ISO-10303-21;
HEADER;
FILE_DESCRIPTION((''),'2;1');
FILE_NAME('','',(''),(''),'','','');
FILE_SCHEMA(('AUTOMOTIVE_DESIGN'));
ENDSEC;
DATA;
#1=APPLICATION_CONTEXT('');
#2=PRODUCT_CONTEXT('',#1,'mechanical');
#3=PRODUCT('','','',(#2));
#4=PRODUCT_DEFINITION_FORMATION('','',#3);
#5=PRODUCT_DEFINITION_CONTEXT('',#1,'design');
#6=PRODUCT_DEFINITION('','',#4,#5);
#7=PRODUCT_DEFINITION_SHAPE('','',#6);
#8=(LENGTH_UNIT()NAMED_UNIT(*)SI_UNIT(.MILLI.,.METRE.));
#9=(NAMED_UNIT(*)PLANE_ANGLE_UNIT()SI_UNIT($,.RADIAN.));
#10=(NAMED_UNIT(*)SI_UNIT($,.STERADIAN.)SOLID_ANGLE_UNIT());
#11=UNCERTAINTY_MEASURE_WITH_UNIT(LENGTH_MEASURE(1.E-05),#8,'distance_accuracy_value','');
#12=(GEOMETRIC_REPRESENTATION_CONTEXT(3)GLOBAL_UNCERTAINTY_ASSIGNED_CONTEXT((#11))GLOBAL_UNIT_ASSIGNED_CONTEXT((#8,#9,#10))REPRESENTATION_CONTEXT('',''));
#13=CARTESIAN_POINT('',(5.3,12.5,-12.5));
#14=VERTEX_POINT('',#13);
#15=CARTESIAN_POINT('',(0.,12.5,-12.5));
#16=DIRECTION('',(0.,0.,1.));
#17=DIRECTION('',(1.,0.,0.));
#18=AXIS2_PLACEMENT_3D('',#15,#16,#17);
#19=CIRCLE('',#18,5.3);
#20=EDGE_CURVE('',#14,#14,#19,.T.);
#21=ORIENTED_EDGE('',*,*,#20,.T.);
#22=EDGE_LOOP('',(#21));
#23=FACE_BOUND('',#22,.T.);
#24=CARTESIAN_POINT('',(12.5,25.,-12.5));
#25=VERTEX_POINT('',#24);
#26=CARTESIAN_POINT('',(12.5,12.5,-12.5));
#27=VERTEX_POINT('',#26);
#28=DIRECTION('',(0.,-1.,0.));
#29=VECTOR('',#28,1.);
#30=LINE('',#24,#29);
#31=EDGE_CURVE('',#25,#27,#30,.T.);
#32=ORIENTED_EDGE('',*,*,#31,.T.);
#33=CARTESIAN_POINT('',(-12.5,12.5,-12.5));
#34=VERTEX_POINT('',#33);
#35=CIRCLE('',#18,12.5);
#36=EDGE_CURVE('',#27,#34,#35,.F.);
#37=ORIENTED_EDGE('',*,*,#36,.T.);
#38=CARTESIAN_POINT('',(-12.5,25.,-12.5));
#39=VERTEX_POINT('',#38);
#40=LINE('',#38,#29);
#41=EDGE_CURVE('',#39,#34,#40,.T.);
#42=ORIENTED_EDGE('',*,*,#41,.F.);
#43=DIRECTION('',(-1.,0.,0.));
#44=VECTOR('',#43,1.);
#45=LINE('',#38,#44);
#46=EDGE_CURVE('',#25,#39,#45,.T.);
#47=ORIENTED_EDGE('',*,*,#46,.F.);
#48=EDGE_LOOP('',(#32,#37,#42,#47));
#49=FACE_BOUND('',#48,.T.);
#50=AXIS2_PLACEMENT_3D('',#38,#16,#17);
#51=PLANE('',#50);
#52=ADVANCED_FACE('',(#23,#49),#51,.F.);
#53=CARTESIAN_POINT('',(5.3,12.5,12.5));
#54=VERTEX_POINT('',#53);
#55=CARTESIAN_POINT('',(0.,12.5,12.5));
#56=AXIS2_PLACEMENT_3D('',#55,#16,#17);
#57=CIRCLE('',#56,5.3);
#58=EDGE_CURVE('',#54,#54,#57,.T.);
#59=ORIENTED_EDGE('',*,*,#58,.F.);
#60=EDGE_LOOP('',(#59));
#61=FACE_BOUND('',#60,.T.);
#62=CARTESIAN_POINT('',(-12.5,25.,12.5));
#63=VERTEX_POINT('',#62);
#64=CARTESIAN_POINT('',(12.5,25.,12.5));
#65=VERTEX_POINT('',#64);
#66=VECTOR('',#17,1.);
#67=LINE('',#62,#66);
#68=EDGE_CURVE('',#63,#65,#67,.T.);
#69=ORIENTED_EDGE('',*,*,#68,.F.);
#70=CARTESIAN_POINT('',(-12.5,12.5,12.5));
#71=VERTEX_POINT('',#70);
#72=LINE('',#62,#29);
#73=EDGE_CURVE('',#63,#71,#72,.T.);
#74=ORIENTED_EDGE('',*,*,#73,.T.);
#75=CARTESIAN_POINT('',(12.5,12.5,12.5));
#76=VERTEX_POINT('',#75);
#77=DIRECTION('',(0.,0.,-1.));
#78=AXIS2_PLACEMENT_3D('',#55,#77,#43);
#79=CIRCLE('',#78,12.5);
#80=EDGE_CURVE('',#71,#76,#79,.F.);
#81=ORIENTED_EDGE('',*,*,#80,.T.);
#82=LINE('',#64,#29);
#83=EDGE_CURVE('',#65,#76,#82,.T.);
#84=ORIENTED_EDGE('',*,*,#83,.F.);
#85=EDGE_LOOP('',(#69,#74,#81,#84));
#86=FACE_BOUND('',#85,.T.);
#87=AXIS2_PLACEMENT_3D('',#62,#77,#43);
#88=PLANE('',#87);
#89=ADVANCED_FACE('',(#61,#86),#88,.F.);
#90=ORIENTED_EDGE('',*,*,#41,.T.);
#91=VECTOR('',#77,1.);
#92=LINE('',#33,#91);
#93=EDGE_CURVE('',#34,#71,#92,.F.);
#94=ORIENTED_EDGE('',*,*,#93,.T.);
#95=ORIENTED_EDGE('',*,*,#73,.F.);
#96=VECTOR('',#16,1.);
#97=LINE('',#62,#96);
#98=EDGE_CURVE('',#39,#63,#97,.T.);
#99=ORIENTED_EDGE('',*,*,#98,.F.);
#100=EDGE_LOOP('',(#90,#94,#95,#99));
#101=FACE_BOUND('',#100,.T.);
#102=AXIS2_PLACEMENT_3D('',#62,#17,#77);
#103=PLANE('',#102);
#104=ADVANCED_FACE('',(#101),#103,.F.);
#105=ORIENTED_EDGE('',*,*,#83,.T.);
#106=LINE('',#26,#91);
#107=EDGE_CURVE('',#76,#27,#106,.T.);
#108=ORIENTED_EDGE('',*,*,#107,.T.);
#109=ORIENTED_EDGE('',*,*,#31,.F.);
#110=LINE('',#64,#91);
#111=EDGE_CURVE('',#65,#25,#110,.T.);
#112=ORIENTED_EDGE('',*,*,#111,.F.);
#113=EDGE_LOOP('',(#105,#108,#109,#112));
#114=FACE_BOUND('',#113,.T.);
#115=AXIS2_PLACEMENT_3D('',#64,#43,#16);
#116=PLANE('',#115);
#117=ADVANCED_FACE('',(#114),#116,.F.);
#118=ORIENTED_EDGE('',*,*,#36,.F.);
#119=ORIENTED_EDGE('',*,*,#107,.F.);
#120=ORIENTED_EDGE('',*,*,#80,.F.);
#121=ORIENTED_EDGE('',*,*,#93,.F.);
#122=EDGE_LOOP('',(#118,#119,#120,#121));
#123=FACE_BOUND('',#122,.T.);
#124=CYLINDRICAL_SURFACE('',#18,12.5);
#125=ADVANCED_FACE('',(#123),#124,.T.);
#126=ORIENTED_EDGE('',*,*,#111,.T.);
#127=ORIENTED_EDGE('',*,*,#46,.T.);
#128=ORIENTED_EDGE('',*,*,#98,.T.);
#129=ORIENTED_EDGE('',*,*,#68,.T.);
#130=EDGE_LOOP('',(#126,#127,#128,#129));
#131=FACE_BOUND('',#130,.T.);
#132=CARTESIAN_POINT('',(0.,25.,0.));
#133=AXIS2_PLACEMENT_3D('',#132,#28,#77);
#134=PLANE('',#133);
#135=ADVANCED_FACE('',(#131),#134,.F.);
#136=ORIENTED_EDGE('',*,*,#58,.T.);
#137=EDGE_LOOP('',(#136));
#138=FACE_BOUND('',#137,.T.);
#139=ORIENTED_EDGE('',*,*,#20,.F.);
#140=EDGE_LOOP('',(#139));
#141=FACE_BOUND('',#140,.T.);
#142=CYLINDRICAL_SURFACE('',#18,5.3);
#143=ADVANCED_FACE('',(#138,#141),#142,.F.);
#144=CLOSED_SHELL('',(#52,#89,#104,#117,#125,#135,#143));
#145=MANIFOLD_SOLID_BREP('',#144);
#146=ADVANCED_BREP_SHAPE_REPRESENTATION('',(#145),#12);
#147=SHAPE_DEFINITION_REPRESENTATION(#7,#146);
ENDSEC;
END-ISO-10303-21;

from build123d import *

# Parameters (mm, degrees)
SKETCH1_W           = 25
SKETCH1_H           = 25
BOSS_EXTRUDE1_DEPTH = 25
SKETCH2_R           = 5.3
CUT_EXTRUDE1_DEPTH  = 38.5
FILLET1_RADIUS      = 12.5
FILLET1_LENGTH      = 25


with BuildPart() as part:
    # Sketch1 → Boss-Extrude1 (new body)
    with BuildSketch(Plane(origin=(0, 0, 0), x_dir=(1, 0, 0), z_dir=(0, 1, 0))):
        Rectangle(SKETCH1_W, SKETCH1_H)
    extrude(amount=BOSS_EXTRUDE1_DEPTH)

    # Sketch2 → Cut-Extrude1 (cut, through all)
    with BuildSketch(Plane.XY.offset(12.5)):
        with Locations((0, 12.5)):
            Circle(SKETCH2_R)
    extrude(amount=-CUT_EXTRUDE1_DEPTH, mode=Mode.SUBTRACT)

    # Fillet1: full round fillet: the end face becomes a half cylinder, R = half its width
    fillet1_face = Plane((0, 0, 0), x_dir=(0, 0, -1), z_dir=(0, -1, 0))  # on the end face: x along it, z out of the body
    fillet1_slab = fillet1_face.offset(-FILLET1_RADIUS / 2) * Box(FILLET1_LENGTH, 2 * FILLET1_RADIUS, FILLET1_RADIUS, mode=Mode.PRIVATE)  # the body's end, R deep
    fillet1_round = Plane((0, 12.5, 0), x_dir=(0, -1, 0), z_dir=(0, 0, -1)) * Cylinder(FILLET1_RADIUS, FILLET1_LENGTH, mode=Mode.PRIVATE)  # its axis R under the face
    add(fillet1_slab - fillet1_round, mode=Mode.SUBTRACT)


solid = part.part
